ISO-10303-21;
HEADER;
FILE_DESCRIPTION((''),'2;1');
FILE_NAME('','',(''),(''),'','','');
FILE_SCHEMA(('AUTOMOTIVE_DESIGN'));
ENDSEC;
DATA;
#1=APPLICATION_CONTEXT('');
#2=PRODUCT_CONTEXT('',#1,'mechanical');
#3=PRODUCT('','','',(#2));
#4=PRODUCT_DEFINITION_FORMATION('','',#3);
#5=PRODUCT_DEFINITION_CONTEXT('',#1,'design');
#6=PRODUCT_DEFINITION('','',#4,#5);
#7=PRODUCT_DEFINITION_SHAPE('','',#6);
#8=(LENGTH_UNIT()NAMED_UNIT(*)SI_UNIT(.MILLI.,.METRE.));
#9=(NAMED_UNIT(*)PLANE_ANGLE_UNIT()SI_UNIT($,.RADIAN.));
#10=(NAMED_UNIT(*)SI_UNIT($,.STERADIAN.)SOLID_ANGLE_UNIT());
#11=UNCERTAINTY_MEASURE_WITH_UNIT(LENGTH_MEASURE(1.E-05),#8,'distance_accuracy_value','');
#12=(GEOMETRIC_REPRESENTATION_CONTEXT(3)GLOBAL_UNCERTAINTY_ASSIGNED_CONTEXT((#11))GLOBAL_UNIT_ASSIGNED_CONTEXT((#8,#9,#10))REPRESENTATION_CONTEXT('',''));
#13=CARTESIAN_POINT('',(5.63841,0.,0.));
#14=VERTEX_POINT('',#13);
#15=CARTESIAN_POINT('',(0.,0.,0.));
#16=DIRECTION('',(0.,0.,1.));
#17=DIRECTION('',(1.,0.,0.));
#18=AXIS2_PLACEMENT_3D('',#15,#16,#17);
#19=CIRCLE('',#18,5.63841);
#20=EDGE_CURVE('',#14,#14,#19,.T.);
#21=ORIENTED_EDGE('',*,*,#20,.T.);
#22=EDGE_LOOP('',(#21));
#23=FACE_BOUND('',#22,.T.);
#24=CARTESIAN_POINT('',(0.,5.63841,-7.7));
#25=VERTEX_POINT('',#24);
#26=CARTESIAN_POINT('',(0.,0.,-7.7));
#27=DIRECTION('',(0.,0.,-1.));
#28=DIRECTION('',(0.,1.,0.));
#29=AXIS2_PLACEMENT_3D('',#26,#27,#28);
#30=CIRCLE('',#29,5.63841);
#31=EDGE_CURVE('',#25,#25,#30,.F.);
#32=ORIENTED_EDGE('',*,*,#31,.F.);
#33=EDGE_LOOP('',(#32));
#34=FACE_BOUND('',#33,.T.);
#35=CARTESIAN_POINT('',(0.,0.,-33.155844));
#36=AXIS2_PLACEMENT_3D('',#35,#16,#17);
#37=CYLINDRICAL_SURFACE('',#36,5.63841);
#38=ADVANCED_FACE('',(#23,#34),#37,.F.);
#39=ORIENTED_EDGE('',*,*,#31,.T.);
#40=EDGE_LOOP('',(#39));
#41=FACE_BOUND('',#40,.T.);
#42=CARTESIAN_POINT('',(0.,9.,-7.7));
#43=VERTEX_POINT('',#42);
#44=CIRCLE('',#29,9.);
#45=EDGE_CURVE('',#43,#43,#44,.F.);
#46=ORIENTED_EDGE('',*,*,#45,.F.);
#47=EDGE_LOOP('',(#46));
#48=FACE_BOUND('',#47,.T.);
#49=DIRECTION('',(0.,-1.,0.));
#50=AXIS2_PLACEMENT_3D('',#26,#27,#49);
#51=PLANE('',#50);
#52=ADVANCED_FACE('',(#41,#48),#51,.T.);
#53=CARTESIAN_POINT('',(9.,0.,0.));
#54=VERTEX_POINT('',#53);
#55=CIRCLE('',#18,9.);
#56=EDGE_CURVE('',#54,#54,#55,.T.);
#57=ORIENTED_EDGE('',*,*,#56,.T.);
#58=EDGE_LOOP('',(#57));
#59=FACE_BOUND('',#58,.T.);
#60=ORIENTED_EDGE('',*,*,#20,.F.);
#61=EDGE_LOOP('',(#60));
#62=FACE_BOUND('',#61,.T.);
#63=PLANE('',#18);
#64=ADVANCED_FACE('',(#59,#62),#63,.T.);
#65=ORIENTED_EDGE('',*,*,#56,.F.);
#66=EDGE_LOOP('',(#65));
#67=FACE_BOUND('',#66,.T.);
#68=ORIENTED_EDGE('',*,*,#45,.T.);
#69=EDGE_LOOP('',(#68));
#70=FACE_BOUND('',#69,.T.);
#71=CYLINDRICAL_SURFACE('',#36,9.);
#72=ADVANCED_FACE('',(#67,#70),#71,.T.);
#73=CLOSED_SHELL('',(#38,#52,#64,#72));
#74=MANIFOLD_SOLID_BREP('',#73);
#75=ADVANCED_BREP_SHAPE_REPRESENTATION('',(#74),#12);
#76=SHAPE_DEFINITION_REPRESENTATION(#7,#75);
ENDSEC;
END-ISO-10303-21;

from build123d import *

# Parameters (mm, degrees)
SKETCH_1_R      = 9
SKETCH_1_R_2    = 5.638409967
EXTRUDE_1_DEPTH = 7.7


with BuildPart() as part:
    # Эскиз1 → Бобышка-Вытянуть1 (new body)
    with BuildSketch(Plane.XY):
        Circle(SKETCH_1_R)
        Circle(SKETCH_1_R_2, mode=Mode.SUBTRACT)
    extrude(amount=-EXTRUDE_1_DEPTH)


solid = part.part
